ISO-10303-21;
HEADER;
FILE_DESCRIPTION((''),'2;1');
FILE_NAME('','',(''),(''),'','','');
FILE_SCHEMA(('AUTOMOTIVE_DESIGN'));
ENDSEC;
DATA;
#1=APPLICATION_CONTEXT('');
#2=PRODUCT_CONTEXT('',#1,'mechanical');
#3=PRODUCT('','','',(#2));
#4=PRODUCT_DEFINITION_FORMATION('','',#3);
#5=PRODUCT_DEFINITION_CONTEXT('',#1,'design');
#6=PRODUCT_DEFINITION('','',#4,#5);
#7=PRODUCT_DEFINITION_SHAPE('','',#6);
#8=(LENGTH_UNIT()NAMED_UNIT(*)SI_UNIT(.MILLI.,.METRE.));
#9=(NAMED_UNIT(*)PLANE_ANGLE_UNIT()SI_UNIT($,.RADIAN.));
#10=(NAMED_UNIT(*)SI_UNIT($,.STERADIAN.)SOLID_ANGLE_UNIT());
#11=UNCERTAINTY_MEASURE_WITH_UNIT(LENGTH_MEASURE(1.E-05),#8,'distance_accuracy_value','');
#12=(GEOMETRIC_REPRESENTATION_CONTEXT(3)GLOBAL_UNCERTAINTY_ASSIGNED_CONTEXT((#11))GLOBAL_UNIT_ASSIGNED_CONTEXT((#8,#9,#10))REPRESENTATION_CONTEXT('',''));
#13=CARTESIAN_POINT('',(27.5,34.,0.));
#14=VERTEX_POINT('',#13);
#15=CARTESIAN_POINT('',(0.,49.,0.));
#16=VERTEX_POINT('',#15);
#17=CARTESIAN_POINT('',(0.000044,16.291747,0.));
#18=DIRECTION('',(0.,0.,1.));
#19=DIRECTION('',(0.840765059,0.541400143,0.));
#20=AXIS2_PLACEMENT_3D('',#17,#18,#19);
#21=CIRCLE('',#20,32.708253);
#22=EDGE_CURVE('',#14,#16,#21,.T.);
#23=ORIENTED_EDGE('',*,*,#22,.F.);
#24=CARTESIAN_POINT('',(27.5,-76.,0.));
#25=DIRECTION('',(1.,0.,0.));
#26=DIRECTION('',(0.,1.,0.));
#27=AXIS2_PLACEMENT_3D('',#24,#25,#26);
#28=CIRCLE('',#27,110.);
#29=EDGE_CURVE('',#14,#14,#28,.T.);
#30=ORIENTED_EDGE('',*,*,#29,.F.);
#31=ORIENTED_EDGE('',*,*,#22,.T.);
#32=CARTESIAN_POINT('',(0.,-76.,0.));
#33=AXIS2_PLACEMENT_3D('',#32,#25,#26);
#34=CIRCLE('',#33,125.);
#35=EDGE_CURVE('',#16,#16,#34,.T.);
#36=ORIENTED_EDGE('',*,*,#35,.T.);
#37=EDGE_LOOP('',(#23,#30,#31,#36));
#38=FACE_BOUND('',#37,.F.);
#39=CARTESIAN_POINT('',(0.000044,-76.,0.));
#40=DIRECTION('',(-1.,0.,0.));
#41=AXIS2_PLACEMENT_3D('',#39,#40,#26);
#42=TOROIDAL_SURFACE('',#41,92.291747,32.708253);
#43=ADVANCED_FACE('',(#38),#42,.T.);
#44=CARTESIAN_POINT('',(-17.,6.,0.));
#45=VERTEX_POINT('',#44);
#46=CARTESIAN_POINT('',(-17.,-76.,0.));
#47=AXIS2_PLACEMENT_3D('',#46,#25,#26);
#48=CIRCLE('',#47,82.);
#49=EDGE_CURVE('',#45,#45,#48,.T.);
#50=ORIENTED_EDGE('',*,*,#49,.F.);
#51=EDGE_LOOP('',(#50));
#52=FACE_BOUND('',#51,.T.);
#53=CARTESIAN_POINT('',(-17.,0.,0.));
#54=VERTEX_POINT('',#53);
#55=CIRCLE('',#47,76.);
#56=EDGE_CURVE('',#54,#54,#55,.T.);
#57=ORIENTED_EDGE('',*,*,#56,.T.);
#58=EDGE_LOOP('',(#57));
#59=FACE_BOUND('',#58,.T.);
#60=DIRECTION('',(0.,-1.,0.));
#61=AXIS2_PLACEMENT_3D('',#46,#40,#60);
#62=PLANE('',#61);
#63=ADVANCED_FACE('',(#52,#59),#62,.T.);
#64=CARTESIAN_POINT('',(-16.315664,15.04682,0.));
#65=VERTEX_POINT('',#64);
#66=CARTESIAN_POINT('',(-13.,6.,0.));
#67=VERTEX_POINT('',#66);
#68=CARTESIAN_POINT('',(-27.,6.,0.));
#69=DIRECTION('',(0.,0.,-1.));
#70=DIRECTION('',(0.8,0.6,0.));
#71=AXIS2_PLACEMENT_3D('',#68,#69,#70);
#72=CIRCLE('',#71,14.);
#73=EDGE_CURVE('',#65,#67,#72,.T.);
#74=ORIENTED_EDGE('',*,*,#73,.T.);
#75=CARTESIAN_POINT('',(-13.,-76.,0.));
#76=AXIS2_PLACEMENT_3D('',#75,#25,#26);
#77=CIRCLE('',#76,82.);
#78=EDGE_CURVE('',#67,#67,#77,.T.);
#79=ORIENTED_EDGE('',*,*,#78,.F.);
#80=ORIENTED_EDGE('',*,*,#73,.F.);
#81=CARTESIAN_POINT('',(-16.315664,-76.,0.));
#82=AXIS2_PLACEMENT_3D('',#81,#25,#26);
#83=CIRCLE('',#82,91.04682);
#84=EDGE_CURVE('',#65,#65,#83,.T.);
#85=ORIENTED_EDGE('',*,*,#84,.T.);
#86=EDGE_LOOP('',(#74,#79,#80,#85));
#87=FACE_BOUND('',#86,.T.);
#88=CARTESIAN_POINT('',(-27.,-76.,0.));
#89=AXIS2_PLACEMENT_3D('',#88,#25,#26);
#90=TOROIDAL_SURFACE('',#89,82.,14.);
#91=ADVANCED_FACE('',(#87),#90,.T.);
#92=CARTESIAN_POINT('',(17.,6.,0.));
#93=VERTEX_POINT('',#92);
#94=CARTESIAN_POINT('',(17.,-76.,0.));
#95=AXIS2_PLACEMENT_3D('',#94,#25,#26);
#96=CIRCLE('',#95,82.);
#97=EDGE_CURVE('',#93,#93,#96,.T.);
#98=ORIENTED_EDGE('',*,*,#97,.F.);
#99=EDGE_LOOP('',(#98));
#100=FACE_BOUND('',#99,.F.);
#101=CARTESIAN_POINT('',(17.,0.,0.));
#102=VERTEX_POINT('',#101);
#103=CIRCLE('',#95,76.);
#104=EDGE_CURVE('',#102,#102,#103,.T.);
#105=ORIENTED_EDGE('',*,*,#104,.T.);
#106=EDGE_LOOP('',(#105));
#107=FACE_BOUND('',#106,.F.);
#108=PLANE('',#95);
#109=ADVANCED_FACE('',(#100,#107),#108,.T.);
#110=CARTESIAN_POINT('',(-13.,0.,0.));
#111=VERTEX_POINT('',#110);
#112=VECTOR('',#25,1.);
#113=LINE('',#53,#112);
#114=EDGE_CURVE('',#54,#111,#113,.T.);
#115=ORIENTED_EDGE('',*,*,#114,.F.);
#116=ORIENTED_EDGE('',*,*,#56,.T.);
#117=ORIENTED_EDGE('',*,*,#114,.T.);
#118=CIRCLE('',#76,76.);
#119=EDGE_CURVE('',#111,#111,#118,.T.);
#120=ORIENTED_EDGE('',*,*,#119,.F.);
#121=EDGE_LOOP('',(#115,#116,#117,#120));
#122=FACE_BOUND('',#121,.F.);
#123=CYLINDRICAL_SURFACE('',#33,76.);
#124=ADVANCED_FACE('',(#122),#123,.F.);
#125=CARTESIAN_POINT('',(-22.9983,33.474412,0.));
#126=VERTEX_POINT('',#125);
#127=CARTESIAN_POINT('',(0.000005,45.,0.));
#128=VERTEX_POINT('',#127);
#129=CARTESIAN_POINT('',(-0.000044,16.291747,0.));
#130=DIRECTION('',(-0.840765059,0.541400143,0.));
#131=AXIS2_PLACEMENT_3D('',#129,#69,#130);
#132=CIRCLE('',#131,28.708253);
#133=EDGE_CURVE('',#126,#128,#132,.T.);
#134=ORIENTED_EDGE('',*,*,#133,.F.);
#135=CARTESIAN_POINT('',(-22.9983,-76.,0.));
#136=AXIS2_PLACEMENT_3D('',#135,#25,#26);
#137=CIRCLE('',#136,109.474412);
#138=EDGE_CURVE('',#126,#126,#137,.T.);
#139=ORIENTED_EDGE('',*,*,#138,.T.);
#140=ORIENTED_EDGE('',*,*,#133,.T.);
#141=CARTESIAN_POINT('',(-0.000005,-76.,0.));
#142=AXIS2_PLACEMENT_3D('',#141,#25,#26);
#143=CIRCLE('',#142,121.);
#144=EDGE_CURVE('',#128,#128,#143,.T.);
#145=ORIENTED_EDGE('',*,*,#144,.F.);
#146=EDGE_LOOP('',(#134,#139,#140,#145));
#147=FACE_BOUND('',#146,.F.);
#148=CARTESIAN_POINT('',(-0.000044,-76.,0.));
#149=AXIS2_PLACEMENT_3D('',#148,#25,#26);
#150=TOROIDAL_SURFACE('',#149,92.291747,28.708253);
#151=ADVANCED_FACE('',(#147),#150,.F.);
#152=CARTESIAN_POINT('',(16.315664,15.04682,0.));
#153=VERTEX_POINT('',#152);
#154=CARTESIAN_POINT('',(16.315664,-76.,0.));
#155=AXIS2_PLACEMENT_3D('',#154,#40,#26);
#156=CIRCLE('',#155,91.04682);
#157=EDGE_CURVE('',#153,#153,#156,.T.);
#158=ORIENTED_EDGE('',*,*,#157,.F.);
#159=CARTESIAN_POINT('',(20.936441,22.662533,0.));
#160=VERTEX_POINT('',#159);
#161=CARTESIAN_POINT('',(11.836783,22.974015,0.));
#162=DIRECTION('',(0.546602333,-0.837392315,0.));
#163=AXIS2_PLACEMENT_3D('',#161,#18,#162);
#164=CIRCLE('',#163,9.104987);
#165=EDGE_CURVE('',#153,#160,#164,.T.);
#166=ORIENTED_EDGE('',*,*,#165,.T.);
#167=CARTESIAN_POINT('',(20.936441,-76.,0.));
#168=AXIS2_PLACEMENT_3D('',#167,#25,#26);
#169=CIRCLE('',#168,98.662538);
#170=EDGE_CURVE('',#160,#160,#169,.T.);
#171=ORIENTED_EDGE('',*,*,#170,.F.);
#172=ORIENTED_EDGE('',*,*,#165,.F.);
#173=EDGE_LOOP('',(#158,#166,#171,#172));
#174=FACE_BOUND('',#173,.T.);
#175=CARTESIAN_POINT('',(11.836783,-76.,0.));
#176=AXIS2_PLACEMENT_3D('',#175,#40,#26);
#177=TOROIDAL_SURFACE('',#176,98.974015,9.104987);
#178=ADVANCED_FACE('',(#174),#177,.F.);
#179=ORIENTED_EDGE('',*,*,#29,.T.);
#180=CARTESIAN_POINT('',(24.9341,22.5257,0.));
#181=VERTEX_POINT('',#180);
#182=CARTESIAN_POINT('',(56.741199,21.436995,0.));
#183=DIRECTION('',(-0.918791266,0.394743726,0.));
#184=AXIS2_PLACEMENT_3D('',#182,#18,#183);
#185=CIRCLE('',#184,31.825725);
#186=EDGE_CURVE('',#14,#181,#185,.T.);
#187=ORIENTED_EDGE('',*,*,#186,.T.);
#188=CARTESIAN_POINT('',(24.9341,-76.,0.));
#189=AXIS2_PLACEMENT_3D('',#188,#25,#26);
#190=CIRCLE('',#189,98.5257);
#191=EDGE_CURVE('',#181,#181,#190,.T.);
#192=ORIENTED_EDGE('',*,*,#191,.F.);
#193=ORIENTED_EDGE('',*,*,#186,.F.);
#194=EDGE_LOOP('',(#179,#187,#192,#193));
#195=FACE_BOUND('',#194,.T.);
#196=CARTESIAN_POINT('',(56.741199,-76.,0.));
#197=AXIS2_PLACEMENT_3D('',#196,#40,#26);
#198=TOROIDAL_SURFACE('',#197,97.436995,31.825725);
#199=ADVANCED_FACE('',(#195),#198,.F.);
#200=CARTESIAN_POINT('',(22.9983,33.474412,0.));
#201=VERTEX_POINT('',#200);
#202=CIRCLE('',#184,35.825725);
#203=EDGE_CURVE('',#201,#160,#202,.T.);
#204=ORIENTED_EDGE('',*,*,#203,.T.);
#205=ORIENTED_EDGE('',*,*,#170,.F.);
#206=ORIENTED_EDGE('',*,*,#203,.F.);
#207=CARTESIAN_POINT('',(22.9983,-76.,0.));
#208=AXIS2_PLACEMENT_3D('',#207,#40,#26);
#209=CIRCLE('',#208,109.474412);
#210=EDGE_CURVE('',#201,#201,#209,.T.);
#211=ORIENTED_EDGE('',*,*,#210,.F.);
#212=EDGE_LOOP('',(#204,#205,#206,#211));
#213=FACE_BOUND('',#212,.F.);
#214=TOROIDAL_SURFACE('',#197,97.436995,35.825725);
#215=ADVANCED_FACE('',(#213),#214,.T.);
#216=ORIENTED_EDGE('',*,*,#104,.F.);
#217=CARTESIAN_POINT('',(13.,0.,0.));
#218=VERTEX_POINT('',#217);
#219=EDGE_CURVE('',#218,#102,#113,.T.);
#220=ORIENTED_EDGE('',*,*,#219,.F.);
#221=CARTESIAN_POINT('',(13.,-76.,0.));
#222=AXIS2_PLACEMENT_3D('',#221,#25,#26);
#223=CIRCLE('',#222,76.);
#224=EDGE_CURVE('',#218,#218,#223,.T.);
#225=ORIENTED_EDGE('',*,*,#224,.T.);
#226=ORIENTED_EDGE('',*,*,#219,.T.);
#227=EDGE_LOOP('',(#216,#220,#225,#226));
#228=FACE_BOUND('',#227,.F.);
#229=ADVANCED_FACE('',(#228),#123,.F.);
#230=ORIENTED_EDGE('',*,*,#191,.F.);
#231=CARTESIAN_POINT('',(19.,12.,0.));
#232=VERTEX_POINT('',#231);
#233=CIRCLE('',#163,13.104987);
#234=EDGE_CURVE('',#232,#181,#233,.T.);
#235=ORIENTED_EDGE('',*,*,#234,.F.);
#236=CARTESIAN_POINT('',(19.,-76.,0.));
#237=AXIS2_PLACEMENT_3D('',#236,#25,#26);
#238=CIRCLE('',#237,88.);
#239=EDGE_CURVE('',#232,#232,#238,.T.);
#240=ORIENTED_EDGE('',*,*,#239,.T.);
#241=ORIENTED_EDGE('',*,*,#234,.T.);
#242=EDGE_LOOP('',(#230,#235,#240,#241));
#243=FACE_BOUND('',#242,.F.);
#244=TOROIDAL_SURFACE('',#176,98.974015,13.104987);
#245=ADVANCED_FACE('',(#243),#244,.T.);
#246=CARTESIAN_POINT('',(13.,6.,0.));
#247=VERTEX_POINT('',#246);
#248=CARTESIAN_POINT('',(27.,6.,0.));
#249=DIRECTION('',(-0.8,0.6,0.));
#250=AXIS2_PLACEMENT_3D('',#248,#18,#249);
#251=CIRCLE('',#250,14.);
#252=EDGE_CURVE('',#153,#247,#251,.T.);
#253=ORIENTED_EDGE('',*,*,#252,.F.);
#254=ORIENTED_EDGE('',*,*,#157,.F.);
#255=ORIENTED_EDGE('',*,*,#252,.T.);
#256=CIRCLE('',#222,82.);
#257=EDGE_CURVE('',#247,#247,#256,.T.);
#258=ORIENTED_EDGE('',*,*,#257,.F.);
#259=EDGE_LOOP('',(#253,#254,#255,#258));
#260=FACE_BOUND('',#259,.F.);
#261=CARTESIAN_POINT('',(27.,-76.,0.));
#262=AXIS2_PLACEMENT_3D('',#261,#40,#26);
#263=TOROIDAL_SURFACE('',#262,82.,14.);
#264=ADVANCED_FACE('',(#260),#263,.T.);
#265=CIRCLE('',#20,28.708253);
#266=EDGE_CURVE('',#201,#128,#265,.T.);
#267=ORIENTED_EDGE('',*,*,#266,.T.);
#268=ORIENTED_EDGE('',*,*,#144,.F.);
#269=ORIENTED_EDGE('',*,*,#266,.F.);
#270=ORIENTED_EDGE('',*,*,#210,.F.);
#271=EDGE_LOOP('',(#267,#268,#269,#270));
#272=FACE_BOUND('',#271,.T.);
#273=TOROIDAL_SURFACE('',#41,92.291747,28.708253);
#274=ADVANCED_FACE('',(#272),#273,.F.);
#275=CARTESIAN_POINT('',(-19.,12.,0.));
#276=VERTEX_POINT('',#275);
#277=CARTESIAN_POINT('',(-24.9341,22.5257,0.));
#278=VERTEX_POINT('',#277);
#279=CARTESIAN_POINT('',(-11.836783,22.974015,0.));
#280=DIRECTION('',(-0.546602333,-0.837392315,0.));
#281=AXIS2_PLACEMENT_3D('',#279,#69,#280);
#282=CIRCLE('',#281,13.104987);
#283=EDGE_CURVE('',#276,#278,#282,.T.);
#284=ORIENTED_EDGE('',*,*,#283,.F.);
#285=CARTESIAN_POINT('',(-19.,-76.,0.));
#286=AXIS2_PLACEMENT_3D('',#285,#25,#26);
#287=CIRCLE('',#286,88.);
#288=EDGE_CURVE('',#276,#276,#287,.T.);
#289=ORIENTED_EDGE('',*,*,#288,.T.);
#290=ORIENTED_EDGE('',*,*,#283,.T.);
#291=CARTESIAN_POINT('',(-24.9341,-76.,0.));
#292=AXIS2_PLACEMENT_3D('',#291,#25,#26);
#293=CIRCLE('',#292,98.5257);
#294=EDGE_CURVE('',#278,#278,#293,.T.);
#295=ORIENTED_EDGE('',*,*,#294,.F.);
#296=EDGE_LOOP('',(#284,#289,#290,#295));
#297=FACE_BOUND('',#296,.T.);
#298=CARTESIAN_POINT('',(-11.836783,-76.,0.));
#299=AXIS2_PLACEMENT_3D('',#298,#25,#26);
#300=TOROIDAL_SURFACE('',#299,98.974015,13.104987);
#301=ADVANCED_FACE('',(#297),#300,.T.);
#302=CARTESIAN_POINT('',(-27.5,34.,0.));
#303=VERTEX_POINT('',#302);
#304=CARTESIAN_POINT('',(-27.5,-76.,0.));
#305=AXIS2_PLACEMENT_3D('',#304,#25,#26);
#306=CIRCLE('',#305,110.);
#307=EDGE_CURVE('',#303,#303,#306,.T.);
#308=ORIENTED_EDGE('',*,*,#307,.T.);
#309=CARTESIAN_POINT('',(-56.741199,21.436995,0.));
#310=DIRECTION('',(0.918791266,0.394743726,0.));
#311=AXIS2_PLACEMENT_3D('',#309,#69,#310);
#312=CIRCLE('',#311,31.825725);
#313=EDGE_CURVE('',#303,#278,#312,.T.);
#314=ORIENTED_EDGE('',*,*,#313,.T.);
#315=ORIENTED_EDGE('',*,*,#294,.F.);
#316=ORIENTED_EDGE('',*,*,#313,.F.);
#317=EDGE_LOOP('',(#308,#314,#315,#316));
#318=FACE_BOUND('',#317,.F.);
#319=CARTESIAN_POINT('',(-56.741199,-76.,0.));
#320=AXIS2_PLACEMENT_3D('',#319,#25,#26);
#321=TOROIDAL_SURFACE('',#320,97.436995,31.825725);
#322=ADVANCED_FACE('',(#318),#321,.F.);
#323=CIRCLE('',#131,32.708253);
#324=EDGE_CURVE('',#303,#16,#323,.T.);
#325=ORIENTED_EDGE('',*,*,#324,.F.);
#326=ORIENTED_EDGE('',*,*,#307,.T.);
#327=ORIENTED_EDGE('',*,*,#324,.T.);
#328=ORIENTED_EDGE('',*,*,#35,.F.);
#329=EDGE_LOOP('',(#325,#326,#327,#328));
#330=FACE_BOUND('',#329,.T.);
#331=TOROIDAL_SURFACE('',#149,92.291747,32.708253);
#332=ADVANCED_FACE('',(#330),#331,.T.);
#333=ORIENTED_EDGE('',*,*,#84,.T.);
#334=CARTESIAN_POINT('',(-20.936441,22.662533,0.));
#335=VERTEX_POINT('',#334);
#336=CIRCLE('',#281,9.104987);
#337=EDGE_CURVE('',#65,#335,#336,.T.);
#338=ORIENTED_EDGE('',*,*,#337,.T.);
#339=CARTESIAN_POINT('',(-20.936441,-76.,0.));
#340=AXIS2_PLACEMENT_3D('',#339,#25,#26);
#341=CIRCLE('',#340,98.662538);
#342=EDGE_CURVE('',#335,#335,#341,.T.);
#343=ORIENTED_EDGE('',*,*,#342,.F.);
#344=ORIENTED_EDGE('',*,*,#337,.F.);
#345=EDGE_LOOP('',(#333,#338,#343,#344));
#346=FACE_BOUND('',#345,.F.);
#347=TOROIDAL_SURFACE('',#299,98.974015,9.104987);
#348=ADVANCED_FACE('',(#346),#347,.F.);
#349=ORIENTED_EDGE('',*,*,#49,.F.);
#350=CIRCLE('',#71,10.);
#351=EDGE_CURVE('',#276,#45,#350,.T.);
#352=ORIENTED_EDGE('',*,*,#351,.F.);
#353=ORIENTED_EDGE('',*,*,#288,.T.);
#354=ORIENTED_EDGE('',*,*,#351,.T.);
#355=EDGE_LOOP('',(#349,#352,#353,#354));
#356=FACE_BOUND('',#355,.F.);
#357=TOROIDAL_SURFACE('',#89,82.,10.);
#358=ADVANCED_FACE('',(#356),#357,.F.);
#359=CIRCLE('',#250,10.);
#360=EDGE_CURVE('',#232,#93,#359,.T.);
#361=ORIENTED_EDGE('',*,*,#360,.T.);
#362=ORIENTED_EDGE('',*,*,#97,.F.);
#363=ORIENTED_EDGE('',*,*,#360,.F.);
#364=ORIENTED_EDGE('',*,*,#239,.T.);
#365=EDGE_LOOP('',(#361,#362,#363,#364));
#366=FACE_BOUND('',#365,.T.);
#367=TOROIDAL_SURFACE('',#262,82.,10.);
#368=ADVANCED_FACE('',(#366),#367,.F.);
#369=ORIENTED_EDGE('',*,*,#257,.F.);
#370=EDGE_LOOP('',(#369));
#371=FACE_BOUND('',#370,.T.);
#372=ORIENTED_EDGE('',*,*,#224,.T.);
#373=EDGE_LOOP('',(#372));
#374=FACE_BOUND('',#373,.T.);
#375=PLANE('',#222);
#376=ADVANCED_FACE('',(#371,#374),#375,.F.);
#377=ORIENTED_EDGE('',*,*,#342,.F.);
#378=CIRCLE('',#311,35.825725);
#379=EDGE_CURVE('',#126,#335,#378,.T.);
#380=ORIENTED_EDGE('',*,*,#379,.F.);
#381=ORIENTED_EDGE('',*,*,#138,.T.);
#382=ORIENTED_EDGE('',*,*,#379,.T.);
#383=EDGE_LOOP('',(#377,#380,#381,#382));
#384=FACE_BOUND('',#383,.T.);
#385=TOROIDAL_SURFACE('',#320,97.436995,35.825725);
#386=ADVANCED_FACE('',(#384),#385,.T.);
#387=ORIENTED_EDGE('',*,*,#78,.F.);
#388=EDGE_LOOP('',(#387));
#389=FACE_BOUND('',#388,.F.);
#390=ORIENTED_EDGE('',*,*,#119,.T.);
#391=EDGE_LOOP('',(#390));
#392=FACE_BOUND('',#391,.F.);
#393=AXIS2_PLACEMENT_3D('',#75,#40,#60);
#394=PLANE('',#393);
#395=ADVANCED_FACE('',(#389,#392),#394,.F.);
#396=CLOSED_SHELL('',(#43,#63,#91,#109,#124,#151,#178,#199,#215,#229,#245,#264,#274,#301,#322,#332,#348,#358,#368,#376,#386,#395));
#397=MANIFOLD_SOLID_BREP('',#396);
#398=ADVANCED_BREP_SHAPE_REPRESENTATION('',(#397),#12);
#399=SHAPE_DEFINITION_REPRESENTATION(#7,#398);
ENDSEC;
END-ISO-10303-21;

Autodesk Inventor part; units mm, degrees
ref_plane "YZ Plane" through (0, 0, 0) normal (1, 0, 0) x (0, 1, 0)
ref_plane "XZ Plane" through (0, 0, 0) normal (0, 1, 0) x (-1, 0, 0)
ref_plane "XY Plane" through (0, 0, 0) normal (0, 0, 1) x (1, 0, 0)
sketch "Sketch1" plane through (0, 0, 0) normal (0, 0, 1) x (1, 0, 0)
  line L0 (0, 0) -> (17, 0)
  line L1 (17, 0) -> (17, 6)
  line L2 (0, 0) -> (0, 49)
  arc A0 (27.5, 34) -> (0, 49) centre (0, 16.2917) ccw
  arc A1 (19, 12) -> (17, 6) centre (27, 6) ccw
  arc A2 (27.5, 34) -> (24.9341, 22.5257) centre (56.7418, 21.4368) ccw
  arc A3 (19, 12) -> (24.9341, 22.5257) centre (11.8368, 22.974) ccw
  line L3 (0, -76) -> (59.1269, -76)
  dimension "d0" = 17
  dimension "d1" = 6
  dimension "d2" = 49
  dimension "d3" = 34
  dimension "d4" = 27.5
  dimension "d5" = 6
  dimension "d6" = 2
  dimension "d7" = 125
revolve "Revolution1" add sketch "Sketch1" angle 360 about axis through (0, -76, 0) along (1, 0, 0)
mirror "Mirror1" about plane through (0, 49, 0) normal (-1, 0, 0)
shell "Shell1" thickness 4 removed faces 1 at (5.6667, -120.8366, 61.3651)
properties part number "tyre-10x2_125"
